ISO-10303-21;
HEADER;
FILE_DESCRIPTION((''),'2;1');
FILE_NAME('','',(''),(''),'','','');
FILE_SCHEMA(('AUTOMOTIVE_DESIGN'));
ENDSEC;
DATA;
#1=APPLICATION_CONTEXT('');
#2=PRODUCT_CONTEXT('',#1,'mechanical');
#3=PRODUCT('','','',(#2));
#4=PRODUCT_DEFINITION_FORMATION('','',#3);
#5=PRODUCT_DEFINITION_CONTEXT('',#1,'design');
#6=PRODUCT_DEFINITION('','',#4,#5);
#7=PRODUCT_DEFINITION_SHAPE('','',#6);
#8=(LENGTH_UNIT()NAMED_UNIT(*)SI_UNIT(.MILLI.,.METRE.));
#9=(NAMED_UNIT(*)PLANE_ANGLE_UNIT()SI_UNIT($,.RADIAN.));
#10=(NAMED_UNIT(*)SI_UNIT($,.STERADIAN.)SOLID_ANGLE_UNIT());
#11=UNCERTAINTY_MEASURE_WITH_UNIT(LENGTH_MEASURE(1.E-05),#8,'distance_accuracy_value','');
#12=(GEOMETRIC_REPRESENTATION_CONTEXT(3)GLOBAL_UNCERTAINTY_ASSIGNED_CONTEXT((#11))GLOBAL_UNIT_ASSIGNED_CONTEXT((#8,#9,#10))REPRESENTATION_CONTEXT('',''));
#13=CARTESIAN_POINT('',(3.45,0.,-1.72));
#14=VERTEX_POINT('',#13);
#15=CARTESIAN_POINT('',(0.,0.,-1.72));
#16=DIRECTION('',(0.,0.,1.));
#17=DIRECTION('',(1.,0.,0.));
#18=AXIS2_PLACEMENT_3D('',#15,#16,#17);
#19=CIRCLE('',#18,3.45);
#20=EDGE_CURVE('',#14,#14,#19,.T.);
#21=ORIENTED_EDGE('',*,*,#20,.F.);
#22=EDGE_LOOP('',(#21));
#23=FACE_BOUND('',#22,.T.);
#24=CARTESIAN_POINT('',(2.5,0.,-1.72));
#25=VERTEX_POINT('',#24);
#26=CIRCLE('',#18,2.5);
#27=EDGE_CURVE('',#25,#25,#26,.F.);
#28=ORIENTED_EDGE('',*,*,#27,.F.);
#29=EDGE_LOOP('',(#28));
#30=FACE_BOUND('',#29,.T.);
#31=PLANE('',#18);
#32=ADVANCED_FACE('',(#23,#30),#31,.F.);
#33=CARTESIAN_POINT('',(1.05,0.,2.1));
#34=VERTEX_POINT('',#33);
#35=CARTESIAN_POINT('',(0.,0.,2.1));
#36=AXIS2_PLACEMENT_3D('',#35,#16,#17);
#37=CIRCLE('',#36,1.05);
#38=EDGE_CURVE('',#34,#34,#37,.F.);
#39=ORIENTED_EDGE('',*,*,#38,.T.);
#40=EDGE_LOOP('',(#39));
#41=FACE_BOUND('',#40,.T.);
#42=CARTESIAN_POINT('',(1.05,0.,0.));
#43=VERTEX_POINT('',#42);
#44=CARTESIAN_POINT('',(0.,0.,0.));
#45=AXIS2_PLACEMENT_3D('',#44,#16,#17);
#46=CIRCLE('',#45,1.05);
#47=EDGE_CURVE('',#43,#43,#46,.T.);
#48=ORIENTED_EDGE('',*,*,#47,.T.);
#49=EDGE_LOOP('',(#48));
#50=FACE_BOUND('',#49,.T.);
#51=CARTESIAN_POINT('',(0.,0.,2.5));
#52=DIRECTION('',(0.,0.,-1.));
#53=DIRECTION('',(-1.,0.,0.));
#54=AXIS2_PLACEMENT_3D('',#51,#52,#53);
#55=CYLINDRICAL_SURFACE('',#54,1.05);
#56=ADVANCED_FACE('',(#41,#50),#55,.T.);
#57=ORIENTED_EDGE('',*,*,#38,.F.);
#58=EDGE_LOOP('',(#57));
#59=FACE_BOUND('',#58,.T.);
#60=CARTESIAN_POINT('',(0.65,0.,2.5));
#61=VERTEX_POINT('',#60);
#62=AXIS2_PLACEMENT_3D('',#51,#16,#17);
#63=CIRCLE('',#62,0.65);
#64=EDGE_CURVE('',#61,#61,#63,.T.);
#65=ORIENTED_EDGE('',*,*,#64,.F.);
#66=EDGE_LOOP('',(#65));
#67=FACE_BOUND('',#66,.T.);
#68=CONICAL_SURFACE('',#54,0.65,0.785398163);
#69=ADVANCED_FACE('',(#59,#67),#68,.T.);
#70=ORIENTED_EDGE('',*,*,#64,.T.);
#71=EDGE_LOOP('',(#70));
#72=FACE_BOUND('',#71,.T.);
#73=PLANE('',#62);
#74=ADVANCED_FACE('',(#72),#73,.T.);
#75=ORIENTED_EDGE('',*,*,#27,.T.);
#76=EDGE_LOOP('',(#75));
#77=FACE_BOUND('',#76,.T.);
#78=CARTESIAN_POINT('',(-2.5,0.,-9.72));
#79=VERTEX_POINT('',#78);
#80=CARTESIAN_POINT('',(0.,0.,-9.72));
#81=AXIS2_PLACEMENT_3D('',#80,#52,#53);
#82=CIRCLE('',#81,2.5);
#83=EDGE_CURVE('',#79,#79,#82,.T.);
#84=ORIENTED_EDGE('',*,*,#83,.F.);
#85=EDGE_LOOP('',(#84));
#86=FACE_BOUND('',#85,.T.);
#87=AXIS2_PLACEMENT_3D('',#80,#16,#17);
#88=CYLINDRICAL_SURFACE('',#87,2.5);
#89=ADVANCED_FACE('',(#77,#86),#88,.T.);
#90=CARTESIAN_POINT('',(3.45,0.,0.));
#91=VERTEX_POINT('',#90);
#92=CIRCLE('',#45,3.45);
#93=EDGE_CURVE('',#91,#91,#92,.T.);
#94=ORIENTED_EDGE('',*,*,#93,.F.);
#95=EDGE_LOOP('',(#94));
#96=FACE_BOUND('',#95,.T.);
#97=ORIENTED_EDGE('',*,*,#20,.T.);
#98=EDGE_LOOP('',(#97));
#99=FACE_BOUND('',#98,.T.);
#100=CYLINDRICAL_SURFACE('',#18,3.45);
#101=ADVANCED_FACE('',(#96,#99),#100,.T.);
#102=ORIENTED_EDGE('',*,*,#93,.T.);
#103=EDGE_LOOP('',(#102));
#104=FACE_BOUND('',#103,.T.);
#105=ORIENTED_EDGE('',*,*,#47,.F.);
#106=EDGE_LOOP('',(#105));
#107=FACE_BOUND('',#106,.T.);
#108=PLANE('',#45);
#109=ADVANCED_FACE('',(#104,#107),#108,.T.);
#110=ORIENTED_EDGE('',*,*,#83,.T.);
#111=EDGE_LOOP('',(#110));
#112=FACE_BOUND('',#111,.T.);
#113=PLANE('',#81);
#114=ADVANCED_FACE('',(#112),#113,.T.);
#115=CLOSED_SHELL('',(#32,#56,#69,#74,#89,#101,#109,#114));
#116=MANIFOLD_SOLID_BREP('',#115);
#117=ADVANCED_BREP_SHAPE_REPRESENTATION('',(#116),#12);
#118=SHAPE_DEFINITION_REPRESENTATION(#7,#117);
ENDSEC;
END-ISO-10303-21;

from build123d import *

# Parameters (mm, degrees)
SKETCH1_R           = 3.45
BOSS_EXTRUDE1_DEPTH = 1.72
SKETCH2_R           = 2.5
BOSS_EXTRUDE2_DEPTH = 8
SKETCH3_R           = 1.05
BOSS_EXTRUDE3_DEPTH = 2.5
CHAMFER1_SIZE       = 0.4


with BuildPart() as part:
    # Sketch1 → Boss-Extrude1 (new body)
    with BuildSketch(Plane.XY):
        Circle(SKETCH1_R)
    extrude(amount=-BOSS_EXTRUDE1_DEPTH)

    # Sketch2 → Boss-Extrude2 (add)
    with BuildSketch(Plane(origin=(0, 0, -1.72), x_dir=(-1, 0, 0), z_dir=(0, 0, -1))):
        with Locations(Location((0, 0, 0), (0, 0, 180))):
            Circle(SKETCH2_R)
    extrude(amount=BOSS_EXTRUDE2_DEPTH)

    # Sketch3 → Boss-Extrude3 (add)
    with BuildSketch(Plane.XY):
        Circle(SKETCH3_R)
    extrude(amount=BOSS_EXTRUDE3_DEPTH)

    # Chamfer1
    chamfer1_edges = [part.edges().sort_by_distance(p)[0] for p in [
        (-1.05, 0, 2.5),
    ]]
    chamfer(chamfer1_edges, length=CHAMFER1_SIZE)


solid = part.part
